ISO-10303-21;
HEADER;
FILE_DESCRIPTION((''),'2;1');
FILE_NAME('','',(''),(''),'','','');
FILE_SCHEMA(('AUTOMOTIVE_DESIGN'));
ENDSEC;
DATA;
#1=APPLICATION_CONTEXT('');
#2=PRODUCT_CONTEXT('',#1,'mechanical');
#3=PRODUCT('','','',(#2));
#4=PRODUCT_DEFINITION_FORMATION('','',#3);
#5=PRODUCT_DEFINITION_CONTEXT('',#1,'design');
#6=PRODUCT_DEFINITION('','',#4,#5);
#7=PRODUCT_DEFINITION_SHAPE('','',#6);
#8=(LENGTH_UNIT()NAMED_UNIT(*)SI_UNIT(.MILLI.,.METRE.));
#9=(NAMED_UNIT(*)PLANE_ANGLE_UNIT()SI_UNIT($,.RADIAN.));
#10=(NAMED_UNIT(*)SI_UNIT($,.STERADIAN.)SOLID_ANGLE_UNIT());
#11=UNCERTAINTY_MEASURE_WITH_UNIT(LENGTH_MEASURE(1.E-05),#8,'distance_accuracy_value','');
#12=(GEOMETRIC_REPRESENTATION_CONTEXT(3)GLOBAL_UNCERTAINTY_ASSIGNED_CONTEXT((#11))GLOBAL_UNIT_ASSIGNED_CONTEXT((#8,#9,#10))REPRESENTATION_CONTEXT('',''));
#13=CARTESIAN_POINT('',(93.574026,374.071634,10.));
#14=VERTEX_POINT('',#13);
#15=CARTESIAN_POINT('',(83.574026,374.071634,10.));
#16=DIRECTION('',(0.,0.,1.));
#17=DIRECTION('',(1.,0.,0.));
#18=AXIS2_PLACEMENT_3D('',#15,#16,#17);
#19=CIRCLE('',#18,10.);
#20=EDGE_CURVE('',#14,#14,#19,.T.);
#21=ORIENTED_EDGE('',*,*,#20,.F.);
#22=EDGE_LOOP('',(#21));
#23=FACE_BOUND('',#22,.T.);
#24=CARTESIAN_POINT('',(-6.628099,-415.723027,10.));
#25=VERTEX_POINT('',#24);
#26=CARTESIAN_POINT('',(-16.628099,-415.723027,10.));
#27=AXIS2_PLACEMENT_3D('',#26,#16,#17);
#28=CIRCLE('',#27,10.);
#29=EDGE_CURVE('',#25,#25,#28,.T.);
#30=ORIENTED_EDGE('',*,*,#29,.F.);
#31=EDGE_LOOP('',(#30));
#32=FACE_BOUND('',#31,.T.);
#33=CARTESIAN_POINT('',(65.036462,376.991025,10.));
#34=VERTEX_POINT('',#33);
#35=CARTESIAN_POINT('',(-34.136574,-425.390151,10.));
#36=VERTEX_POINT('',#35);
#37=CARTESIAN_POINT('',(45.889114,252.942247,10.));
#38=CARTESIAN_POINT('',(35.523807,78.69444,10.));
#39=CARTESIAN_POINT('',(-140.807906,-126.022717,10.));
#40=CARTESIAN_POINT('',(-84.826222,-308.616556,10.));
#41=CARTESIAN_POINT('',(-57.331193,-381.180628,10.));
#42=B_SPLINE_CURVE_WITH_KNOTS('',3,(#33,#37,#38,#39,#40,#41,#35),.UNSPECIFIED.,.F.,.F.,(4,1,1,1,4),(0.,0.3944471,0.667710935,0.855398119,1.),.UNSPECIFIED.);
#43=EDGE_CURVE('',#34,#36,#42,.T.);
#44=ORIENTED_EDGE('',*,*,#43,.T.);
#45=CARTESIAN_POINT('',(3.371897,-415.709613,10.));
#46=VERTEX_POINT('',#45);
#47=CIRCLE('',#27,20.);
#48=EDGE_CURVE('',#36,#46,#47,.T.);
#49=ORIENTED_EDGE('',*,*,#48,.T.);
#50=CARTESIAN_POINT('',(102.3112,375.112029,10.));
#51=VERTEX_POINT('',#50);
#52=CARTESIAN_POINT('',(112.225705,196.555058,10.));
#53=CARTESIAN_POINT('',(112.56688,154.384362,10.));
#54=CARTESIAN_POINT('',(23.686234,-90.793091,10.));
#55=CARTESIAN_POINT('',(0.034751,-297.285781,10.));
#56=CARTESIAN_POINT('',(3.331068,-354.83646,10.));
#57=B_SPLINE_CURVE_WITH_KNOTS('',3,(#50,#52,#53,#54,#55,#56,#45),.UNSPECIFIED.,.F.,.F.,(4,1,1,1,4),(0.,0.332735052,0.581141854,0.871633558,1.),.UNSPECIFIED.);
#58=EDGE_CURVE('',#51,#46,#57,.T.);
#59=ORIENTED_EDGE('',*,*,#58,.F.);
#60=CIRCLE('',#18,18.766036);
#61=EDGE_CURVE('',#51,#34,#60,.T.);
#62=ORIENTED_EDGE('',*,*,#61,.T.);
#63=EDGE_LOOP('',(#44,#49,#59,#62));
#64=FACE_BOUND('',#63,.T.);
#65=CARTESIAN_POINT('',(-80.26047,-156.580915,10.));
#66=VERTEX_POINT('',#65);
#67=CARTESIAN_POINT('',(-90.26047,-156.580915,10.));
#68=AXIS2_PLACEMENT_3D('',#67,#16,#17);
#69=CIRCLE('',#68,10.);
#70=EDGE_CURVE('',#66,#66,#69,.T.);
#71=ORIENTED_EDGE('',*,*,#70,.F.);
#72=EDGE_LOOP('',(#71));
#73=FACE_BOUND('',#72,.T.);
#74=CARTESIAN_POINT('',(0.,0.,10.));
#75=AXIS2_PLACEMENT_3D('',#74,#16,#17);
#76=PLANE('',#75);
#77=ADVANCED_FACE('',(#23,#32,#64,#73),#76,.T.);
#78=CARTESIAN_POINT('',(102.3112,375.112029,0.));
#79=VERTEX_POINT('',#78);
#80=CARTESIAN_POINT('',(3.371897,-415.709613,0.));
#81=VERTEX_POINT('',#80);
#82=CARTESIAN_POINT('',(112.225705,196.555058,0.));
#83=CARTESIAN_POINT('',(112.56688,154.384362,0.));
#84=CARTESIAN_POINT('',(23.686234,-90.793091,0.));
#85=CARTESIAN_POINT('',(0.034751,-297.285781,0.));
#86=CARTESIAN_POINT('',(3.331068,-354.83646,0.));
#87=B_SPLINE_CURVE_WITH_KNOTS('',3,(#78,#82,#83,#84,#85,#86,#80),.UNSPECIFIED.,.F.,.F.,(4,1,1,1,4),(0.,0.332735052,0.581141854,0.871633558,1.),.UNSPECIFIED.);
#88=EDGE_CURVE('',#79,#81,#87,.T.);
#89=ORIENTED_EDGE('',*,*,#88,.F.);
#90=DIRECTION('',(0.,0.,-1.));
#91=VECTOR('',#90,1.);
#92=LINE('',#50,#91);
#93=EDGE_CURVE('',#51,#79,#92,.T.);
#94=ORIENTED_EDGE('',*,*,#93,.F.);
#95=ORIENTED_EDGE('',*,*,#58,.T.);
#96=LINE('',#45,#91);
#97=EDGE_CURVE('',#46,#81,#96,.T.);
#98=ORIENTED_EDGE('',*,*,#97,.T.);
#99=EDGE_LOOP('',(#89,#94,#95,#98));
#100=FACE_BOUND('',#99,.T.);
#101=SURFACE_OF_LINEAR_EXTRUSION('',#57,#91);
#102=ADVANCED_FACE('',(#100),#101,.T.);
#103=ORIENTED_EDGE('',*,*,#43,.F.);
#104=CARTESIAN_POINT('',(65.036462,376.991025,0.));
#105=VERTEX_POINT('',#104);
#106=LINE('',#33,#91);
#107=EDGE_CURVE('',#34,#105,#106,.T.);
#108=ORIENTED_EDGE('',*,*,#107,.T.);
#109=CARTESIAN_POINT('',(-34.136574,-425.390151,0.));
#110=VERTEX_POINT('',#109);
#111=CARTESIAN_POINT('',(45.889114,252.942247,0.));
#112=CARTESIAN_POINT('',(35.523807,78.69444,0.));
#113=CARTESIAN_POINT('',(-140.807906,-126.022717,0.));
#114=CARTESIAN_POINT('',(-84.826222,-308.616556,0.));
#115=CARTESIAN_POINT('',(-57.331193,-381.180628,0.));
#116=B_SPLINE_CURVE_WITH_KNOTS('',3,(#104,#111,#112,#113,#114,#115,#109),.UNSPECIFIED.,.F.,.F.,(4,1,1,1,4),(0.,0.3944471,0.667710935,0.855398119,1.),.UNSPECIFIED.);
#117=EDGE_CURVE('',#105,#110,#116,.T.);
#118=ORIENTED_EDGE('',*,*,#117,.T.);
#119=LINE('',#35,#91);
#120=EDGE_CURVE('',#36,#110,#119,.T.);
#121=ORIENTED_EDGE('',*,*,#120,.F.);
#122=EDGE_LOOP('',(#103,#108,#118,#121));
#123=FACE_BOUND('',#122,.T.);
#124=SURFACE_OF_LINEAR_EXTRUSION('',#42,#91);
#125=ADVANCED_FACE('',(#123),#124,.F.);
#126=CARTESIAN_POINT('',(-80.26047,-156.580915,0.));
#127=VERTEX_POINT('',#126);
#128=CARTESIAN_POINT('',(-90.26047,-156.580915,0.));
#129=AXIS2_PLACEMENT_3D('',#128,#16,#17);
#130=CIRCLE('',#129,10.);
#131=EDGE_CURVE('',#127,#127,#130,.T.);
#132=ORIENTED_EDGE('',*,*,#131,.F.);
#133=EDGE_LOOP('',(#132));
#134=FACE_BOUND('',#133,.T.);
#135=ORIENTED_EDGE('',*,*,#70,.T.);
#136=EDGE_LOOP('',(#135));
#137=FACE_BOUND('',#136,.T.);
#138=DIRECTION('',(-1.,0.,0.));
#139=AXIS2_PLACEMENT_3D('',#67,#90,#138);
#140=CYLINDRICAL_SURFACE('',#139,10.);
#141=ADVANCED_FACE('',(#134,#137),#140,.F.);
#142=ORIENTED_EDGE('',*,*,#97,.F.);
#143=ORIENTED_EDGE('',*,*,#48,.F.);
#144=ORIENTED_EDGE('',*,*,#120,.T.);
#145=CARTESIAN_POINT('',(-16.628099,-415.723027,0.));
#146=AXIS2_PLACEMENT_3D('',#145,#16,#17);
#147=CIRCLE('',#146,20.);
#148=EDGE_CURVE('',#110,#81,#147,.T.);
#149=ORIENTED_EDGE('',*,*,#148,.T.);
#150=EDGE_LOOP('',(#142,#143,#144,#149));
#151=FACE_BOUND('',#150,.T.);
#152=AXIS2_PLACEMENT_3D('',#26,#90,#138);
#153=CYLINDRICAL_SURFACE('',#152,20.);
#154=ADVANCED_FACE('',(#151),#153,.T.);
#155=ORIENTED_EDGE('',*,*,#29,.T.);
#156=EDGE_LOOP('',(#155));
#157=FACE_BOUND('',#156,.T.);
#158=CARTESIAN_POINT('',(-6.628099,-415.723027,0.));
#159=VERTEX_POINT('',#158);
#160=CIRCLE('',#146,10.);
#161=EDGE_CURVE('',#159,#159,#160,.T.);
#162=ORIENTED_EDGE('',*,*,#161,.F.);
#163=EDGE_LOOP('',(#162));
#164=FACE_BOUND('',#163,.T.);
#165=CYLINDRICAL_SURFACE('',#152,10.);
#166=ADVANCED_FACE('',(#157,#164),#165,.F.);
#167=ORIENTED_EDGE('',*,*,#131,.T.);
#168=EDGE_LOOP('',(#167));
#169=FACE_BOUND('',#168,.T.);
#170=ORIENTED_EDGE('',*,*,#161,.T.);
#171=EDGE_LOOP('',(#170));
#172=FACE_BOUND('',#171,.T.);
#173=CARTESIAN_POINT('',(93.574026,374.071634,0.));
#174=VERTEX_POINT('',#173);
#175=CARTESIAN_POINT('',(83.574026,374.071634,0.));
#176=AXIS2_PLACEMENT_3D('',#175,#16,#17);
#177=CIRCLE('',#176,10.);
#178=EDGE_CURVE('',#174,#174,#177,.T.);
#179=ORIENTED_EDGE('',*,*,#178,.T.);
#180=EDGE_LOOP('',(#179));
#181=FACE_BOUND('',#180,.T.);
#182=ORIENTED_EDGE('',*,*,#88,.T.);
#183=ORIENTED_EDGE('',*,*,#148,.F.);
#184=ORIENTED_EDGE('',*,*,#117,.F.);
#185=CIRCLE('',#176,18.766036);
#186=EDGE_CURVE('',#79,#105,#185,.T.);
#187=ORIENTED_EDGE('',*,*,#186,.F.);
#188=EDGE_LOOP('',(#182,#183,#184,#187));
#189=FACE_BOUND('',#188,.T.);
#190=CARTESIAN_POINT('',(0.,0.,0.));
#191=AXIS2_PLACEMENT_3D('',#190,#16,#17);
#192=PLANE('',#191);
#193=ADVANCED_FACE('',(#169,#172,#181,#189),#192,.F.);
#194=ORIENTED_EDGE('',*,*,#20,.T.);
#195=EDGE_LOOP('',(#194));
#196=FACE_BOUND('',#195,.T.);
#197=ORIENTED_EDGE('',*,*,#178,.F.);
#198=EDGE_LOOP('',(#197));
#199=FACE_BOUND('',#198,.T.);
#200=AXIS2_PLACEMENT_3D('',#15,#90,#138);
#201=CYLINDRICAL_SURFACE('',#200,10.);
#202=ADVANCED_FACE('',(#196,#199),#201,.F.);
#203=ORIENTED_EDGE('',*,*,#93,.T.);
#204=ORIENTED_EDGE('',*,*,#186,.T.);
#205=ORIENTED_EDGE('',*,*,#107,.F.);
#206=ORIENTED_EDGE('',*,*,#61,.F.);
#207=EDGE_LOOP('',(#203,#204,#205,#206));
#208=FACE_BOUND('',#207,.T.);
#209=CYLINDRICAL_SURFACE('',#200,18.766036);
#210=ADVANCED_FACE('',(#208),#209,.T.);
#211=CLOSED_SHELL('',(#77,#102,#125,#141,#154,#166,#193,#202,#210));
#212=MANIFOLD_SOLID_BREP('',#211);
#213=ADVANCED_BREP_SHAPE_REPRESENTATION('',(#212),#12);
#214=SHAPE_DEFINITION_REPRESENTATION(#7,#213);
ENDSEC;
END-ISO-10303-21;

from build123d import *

# Parameters (mm, degrees)
SKETCH_1_R      = 10
EXTRUDE_1_DEPTH = 10


with BuildPart() as part:
    # 草图1 → 凸台-拉伸1 (new body)
    with BuildSketch(Plane.XY):
        with BuildLine():
            ThreePointArc((102.311199765, 375.112029052), (84.51881015, 392.813872233), (65.036461943, 376.991025191))
            add(Edge.make_bspline(
                [(65.036461943, 376.991025191), (45.889114215, 252.94224697), (35.523806995, 78.694440088), (-140.807905589, -126.022717356), (-84.82622195, -308.616556427), (-57.331193012, -381.18062786), (-34.136574311, -425.390150911)],
                knots=[0, 0, 0, 0, 0.3944471, 0.667710935, 0.855398119, 1, 1, 1, 1], degree=3))
            ThreePointArc((-34.136574311, -425.390150911), (-11.630086846, -435.088456797), (3.37189665, -415.709612502))
            add(Edge.make_bspline(
                [(102.311199765, 375.112029052), (112.225704632, 196.555058064), (112.566880399, 154.384362349), (23.686233986, -90.793091468), (0.034750928, -297.28578118), (3.331067876, -354.836460231), (3.37189665, -415.709612502)],
                knots=[0, 0, 0, 0, 0.332735052, 0.581141854, 0.871633558, 1, 1, 1, 1], degree=3))
        make_face()
        with Locations((83.57402568, 374.071633918)):
            Circle(SKETCH_1_R, mode=Mode.SUBTRACT)
        with Locations((-90.260469952, -156.580915428)):
            Circle(SKETCH_1_R, mode=Mode.SUBTRACT)
        with Locations((-16.628098851, -415.723026877)):
            Circle(SKETCH_1_R, mode=Mode.SUBTRACT)
    extrude(amount=EXTRUDE_1_DEPTH)


solid = part.part
